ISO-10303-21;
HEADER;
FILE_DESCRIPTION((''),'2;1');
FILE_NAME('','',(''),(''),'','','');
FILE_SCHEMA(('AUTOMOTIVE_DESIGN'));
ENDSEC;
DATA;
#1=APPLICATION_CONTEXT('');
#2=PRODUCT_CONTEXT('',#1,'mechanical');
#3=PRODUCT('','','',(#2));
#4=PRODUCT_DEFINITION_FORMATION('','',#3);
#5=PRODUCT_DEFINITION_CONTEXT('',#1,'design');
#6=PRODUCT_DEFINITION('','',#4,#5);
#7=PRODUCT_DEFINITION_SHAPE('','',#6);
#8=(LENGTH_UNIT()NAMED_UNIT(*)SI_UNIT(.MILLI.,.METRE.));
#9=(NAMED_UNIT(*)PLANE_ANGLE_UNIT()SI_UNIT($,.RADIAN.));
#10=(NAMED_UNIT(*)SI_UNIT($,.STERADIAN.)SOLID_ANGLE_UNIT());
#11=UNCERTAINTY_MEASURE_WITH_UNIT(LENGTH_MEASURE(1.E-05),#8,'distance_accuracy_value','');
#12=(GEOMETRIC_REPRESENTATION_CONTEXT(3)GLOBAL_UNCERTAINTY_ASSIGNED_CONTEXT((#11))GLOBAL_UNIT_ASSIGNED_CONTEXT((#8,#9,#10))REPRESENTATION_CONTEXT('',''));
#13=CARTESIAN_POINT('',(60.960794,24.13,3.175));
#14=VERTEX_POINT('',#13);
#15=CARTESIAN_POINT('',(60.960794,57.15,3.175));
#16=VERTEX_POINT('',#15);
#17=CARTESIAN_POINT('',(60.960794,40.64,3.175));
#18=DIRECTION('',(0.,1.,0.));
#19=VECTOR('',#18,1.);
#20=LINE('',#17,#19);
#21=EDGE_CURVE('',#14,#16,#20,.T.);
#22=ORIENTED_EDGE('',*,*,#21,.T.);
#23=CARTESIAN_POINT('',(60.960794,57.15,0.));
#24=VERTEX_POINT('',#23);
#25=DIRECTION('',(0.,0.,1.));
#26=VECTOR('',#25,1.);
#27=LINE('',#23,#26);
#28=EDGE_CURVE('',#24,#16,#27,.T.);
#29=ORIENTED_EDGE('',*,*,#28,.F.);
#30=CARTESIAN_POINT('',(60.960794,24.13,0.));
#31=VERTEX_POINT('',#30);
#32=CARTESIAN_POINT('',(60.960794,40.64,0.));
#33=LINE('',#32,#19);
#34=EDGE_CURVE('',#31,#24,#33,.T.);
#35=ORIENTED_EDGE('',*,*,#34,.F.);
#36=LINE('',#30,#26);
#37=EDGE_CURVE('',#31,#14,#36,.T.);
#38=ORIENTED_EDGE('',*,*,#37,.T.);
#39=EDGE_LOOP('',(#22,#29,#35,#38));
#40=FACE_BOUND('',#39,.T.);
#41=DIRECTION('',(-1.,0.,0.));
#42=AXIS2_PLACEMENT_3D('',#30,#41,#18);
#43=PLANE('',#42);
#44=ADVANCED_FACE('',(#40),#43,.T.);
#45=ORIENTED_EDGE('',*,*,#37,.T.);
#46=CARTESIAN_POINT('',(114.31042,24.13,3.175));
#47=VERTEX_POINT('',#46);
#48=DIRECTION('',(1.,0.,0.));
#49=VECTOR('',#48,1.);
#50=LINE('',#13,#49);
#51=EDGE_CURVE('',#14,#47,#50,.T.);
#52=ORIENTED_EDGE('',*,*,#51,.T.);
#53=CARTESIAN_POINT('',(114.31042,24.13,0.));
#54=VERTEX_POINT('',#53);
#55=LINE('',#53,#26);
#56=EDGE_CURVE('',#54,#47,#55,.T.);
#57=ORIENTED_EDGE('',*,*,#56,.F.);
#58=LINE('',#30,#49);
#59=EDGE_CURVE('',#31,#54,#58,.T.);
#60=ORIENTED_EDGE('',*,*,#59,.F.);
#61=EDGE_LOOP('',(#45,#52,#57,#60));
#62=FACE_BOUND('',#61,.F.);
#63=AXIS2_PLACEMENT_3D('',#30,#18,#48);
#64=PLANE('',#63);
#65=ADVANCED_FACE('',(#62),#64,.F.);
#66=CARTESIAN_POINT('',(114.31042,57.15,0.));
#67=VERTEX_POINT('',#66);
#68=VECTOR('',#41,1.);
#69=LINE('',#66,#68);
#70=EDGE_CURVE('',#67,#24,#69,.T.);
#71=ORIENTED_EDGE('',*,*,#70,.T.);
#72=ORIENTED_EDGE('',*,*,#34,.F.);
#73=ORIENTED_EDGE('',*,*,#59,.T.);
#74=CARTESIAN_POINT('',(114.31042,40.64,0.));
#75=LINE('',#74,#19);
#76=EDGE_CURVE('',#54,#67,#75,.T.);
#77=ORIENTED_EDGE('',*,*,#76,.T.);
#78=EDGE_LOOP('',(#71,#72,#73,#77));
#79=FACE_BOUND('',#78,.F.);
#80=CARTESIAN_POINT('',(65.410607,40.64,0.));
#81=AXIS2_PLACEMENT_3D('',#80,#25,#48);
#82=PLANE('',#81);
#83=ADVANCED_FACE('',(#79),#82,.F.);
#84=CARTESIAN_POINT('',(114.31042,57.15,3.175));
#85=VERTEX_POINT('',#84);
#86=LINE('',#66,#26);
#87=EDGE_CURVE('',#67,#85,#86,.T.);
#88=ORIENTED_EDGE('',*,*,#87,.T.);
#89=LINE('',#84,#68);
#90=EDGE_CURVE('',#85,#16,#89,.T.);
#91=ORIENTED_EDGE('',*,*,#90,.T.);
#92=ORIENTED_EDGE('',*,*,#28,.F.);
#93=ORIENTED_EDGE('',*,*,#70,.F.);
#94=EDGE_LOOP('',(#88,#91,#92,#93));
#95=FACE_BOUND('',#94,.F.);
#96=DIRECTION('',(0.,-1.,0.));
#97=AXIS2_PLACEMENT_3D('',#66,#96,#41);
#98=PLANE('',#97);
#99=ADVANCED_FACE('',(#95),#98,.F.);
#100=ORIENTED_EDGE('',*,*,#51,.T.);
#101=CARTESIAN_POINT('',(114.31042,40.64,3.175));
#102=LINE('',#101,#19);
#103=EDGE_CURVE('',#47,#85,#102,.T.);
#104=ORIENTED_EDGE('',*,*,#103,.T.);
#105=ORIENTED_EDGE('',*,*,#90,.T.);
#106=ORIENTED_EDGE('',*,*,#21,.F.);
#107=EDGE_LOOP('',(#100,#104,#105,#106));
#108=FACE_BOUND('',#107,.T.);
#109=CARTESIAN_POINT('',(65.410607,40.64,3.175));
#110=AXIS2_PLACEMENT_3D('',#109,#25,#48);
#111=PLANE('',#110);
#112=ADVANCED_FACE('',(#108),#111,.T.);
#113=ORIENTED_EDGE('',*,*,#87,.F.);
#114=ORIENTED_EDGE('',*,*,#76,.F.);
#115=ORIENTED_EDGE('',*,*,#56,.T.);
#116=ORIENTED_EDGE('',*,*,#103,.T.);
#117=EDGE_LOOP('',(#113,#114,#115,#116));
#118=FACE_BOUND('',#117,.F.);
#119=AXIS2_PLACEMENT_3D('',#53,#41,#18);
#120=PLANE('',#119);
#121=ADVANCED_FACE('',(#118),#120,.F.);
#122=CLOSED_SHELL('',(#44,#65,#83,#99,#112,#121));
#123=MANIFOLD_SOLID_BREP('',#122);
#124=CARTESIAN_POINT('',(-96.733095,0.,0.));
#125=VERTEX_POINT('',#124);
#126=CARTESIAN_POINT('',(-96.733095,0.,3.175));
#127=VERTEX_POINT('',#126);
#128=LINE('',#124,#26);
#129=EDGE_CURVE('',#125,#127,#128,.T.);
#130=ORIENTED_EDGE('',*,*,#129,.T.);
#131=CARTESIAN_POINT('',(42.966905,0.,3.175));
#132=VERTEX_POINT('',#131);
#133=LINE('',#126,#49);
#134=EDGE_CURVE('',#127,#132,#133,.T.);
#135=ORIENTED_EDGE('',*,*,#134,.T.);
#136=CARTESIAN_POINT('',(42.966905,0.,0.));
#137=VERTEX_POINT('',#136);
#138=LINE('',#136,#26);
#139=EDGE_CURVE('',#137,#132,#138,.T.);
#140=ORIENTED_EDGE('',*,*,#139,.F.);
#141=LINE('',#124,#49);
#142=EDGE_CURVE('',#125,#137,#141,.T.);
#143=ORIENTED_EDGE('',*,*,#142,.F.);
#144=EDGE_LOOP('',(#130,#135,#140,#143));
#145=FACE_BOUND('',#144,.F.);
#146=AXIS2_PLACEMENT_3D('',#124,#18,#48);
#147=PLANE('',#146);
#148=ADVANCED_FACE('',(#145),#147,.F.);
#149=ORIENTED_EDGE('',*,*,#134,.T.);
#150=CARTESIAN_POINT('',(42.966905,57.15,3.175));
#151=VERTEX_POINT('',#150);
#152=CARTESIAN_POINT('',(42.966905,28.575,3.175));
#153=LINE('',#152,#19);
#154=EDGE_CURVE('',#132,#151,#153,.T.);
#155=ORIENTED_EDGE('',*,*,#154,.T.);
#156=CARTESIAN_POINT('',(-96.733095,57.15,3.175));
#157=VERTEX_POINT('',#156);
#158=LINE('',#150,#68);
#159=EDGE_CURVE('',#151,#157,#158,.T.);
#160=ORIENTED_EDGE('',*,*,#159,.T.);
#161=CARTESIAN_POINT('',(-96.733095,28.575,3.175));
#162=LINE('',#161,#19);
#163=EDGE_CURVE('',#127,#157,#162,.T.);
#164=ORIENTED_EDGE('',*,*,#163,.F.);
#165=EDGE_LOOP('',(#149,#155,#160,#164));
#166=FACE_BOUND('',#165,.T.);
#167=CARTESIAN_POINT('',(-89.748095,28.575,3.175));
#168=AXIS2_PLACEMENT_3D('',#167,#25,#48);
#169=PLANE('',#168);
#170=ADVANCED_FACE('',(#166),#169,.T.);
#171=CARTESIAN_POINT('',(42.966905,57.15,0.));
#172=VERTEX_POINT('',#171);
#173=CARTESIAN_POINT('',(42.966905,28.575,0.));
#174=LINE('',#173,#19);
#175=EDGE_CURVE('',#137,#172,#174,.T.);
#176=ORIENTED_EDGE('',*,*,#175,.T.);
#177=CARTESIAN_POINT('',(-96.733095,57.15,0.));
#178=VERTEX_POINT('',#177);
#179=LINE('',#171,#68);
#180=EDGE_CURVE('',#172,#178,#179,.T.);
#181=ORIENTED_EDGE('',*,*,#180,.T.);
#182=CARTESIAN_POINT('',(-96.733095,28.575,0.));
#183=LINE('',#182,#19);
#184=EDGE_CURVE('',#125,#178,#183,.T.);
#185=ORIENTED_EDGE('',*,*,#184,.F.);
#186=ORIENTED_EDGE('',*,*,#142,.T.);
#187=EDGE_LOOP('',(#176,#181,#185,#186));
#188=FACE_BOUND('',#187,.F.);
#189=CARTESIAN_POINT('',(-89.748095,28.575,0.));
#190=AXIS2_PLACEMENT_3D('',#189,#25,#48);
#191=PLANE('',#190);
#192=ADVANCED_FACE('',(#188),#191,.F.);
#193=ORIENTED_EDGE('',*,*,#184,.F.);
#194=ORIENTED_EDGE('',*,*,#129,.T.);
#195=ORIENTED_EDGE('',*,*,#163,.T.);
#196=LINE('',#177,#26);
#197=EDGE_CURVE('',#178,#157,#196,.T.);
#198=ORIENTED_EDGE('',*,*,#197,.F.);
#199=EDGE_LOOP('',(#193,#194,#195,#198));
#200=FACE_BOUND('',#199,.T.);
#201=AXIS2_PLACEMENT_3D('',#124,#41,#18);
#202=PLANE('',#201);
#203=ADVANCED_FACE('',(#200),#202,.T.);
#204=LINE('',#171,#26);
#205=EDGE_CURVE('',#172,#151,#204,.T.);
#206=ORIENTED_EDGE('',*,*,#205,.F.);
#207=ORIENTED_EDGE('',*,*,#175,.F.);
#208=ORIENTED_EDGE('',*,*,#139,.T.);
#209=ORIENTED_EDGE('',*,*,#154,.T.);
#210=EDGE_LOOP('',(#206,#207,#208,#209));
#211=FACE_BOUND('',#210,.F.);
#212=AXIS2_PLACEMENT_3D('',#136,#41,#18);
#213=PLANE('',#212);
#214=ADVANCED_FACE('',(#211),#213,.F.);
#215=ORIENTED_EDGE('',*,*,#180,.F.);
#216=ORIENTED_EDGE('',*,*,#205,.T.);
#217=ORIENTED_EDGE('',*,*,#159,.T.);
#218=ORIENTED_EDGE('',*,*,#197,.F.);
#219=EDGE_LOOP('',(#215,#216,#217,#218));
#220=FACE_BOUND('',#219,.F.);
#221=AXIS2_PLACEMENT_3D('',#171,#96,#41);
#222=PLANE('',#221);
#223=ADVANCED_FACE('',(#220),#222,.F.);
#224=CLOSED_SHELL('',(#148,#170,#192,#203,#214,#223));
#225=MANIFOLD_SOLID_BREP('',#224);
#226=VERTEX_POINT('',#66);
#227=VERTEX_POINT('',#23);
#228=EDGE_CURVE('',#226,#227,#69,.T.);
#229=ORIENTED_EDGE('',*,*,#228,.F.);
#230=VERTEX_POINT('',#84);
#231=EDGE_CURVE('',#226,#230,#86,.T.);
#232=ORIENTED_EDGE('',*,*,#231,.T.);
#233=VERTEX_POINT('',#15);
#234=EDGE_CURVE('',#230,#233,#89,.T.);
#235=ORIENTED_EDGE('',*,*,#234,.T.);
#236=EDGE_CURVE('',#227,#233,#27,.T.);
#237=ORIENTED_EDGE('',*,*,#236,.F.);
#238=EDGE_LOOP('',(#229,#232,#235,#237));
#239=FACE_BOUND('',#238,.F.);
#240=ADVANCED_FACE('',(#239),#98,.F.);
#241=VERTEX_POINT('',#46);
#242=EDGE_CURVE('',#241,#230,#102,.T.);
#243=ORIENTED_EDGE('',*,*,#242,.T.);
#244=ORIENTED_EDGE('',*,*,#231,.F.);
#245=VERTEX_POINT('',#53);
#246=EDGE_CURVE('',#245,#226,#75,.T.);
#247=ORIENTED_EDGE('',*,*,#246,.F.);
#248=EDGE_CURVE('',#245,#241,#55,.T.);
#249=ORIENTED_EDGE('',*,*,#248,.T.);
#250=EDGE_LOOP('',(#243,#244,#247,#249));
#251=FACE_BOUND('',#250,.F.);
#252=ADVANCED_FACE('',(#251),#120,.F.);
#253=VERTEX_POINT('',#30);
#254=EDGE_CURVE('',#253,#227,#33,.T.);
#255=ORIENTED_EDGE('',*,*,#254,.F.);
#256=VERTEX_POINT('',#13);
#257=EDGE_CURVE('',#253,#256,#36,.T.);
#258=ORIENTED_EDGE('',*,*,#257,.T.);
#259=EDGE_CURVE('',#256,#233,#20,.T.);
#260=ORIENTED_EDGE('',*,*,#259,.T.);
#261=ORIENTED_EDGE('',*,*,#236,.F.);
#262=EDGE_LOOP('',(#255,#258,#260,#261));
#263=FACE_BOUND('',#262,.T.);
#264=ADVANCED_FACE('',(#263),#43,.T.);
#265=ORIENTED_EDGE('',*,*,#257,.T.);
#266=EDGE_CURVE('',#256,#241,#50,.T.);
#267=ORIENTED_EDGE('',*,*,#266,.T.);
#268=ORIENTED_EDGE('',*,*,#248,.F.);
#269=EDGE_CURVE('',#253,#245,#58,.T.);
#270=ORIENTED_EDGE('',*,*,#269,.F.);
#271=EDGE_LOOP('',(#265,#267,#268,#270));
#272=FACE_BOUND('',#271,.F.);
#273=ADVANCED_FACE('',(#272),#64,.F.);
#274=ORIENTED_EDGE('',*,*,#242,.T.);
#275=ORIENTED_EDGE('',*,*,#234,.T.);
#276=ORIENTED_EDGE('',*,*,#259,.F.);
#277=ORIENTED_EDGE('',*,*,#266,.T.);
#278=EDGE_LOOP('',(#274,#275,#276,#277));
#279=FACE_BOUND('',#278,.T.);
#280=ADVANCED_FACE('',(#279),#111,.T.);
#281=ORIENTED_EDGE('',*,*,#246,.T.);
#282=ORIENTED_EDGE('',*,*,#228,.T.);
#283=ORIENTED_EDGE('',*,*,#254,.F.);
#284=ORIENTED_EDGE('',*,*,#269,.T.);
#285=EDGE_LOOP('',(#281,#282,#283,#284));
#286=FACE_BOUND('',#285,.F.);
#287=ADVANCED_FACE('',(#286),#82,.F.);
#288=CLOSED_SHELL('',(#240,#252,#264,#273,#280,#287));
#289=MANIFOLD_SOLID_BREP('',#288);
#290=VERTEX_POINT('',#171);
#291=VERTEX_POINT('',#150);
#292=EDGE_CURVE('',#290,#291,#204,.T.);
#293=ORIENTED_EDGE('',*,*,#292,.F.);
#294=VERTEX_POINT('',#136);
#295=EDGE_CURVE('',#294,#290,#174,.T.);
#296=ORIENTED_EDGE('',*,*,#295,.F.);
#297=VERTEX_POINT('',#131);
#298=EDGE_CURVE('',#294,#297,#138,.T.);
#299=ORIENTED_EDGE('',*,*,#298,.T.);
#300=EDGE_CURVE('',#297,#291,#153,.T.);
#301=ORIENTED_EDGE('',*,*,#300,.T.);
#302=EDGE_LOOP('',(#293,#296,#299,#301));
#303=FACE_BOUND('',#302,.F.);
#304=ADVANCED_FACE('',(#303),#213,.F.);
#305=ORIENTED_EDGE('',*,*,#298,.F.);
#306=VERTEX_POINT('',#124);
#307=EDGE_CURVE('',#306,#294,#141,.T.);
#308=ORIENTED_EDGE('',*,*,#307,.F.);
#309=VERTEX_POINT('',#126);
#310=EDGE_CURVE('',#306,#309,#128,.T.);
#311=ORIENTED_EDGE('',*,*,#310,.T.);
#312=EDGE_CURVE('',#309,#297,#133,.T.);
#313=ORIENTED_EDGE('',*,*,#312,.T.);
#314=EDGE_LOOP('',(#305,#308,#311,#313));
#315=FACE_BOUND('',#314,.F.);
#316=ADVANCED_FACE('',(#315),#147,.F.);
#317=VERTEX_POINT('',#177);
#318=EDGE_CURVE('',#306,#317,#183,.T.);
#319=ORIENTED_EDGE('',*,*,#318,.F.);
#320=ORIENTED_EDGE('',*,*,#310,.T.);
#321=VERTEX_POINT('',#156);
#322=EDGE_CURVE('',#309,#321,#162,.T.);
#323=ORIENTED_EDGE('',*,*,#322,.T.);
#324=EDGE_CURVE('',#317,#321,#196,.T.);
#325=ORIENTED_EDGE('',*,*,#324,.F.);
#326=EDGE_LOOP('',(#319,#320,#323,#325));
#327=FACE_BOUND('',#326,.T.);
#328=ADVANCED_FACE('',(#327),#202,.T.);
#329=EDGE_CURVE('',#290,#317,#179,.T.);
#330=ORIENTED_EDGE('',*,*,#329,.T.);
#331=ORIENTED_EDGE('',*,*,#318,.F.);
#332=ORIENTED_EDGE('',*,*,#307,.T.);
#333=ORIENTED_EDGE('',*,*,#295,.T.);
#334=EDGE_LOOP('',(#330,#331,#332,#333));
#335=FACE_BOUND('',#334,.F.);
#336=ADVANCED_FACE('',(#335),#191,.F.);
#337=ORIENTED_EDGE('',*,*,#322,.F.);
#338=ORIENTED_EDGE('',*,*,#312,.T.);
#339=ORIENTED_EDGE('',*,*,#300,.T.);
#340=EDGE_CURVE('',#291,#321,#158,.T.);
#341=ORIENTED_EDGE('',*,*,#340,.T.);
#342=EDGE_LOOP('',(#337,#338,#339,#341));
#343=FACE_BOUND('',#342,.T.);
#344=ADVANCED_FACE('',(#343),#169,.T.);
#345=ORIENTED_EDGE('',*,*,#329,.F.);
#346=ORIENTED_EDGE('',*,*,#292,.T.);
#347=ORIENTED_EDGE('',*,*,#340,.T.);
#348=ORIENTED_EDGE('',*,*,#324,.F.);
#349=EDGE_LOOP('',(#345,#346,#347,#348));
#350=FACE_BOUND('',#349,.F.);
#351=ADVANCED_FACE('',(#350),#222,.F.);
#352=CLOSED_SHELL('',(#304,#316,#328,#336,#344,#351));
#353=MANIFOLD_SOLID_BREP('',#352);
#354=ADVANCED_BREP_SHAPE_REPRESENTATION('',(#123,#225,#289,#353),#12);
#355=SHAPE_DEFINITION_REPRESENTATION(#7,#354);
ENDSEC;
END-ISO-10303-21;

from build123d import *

# Parameters (mm, degrees)
F0_W     = 13.97
F0_H     = 57.15
F0_W_2   = 8.899627
F0_H_2   = 33.02
F0_W_3   = 8.89
F1_DEPTH = 3.175
F2_DEPTH = 3.175


with BuildPart() as f1:
    # F0 (on Top) → F1 (new body)
    with BuildSketch(Plane.XY):
        with Locations((-89.748095, 28.575)):
            Rectangle(F0_W, F0_H)
        with Locations((-75.778095, 28.575)):
            Rectangle(F0_W, F0_H)
        with Locations((-61.808095, 28.575)):
            Rectangle(F0_W, F0_H)
        with Locations((-47.838095, 28.575)):
            Rectangle(F0_W, F0_H)
        with Locations((-33.868095, 28.575)):
            Rectangle(F0_W, F0_H)
        with Locations((-19.898095, 28.575)):
            Rectangle(F0_W, F0_H)
        with Locations((-5.928095, 28.575)):
            Rectangle(F0_W, F0_H)
        with Locations((8.041905, 28.575)):
            Rectangle(F0_W, F0_H)
        with Locations((22.011905, 28.575)):
            Rectangle(F0_W, F0_H)
        with Locations((35.981905, 28.575)):
            Rectangle(F0_W, F0_H)
        with Locations((65.410607, 40.64)):
            Rectangle(F0_W_2, F0_H_2)
        with Locations((74.30542, 40.64)):
            Rectangle(F0_W_3, F0_H_2)
        with Locations((83.19542, 40.64)):
            Rectangle(F0_W_3, F0_H_2)
        with Locations((92.08542, 40.64)):
            Rectangle(F0_W_3, F0_H_2)
        with Locations((100.97542, 40.64)):
            Rectangle(F0_W_3, F0_H_2)
        with Locations((109.86542, 40.64)):
            Rectangle(F0_W_3, F0_H_2)
    extrude(amount=F1_DEPTH)


with BuildPart() as f2:
    # F0 (on Top) → F2 (new body)
    with BuildSketch(Plane.XY):
        with Locations((-89.748095, 28.575)):
            Rectangle(F0_W, F0_H)
        with Locations((-75.778095, 28.575)):
            Rectangle(F0_W, F0_H)
        with Locations((-61.808095, 28.575)):
            Rectangle(F0_W, F0_H)
        with Locations((-47.838095, 28.575)):
            Rectangle(F0_W, F0_H)
        with Locations((-33.868095, 28.575)):
            Rectangle(F0_W, F0_H)
        with Locations((-19.898095, 28.575)):
            Rectangle(F0_W, F0_H)
        with Locations((-5.928095, 28.575)):
            Rectangle(F0_W, F0_H)
        with Locations((8.041905, 28.575)):
            Rectangle(F0_W, F0_H)
        with Locations((22.011905, 28.575)):
            Rectangle(F0_W, F0_H)
        with Locations((35.981905, 28.575)):
            Rectangle(F0_W, F0_H)
        with Locations((65.410607, 40.64)):
            Rectangle(F0_W_2, F0_H_2)
        with Locations((74.30542, 40.64)):
            Rectangle(F0_W_3, F0_H_2)
        with Locations((83.19542, 40.64)):
            Rectangle(F0_W_3, F0_H_2)
        with Locations((92.08542, 40.64)):
            Rectangle(F0_W_3, F0_H_2)
        with Locations((100.97542, 40.64)):
            Rectangle(F0_W_3, F0_H_2)
        with Locations((109.86542, 40.64)):
            Rectangle(F0_W_3, F0_H_2)
    extrude(amount=F2_DEPTH)


solid = Compound([f1.part, f2.part])
